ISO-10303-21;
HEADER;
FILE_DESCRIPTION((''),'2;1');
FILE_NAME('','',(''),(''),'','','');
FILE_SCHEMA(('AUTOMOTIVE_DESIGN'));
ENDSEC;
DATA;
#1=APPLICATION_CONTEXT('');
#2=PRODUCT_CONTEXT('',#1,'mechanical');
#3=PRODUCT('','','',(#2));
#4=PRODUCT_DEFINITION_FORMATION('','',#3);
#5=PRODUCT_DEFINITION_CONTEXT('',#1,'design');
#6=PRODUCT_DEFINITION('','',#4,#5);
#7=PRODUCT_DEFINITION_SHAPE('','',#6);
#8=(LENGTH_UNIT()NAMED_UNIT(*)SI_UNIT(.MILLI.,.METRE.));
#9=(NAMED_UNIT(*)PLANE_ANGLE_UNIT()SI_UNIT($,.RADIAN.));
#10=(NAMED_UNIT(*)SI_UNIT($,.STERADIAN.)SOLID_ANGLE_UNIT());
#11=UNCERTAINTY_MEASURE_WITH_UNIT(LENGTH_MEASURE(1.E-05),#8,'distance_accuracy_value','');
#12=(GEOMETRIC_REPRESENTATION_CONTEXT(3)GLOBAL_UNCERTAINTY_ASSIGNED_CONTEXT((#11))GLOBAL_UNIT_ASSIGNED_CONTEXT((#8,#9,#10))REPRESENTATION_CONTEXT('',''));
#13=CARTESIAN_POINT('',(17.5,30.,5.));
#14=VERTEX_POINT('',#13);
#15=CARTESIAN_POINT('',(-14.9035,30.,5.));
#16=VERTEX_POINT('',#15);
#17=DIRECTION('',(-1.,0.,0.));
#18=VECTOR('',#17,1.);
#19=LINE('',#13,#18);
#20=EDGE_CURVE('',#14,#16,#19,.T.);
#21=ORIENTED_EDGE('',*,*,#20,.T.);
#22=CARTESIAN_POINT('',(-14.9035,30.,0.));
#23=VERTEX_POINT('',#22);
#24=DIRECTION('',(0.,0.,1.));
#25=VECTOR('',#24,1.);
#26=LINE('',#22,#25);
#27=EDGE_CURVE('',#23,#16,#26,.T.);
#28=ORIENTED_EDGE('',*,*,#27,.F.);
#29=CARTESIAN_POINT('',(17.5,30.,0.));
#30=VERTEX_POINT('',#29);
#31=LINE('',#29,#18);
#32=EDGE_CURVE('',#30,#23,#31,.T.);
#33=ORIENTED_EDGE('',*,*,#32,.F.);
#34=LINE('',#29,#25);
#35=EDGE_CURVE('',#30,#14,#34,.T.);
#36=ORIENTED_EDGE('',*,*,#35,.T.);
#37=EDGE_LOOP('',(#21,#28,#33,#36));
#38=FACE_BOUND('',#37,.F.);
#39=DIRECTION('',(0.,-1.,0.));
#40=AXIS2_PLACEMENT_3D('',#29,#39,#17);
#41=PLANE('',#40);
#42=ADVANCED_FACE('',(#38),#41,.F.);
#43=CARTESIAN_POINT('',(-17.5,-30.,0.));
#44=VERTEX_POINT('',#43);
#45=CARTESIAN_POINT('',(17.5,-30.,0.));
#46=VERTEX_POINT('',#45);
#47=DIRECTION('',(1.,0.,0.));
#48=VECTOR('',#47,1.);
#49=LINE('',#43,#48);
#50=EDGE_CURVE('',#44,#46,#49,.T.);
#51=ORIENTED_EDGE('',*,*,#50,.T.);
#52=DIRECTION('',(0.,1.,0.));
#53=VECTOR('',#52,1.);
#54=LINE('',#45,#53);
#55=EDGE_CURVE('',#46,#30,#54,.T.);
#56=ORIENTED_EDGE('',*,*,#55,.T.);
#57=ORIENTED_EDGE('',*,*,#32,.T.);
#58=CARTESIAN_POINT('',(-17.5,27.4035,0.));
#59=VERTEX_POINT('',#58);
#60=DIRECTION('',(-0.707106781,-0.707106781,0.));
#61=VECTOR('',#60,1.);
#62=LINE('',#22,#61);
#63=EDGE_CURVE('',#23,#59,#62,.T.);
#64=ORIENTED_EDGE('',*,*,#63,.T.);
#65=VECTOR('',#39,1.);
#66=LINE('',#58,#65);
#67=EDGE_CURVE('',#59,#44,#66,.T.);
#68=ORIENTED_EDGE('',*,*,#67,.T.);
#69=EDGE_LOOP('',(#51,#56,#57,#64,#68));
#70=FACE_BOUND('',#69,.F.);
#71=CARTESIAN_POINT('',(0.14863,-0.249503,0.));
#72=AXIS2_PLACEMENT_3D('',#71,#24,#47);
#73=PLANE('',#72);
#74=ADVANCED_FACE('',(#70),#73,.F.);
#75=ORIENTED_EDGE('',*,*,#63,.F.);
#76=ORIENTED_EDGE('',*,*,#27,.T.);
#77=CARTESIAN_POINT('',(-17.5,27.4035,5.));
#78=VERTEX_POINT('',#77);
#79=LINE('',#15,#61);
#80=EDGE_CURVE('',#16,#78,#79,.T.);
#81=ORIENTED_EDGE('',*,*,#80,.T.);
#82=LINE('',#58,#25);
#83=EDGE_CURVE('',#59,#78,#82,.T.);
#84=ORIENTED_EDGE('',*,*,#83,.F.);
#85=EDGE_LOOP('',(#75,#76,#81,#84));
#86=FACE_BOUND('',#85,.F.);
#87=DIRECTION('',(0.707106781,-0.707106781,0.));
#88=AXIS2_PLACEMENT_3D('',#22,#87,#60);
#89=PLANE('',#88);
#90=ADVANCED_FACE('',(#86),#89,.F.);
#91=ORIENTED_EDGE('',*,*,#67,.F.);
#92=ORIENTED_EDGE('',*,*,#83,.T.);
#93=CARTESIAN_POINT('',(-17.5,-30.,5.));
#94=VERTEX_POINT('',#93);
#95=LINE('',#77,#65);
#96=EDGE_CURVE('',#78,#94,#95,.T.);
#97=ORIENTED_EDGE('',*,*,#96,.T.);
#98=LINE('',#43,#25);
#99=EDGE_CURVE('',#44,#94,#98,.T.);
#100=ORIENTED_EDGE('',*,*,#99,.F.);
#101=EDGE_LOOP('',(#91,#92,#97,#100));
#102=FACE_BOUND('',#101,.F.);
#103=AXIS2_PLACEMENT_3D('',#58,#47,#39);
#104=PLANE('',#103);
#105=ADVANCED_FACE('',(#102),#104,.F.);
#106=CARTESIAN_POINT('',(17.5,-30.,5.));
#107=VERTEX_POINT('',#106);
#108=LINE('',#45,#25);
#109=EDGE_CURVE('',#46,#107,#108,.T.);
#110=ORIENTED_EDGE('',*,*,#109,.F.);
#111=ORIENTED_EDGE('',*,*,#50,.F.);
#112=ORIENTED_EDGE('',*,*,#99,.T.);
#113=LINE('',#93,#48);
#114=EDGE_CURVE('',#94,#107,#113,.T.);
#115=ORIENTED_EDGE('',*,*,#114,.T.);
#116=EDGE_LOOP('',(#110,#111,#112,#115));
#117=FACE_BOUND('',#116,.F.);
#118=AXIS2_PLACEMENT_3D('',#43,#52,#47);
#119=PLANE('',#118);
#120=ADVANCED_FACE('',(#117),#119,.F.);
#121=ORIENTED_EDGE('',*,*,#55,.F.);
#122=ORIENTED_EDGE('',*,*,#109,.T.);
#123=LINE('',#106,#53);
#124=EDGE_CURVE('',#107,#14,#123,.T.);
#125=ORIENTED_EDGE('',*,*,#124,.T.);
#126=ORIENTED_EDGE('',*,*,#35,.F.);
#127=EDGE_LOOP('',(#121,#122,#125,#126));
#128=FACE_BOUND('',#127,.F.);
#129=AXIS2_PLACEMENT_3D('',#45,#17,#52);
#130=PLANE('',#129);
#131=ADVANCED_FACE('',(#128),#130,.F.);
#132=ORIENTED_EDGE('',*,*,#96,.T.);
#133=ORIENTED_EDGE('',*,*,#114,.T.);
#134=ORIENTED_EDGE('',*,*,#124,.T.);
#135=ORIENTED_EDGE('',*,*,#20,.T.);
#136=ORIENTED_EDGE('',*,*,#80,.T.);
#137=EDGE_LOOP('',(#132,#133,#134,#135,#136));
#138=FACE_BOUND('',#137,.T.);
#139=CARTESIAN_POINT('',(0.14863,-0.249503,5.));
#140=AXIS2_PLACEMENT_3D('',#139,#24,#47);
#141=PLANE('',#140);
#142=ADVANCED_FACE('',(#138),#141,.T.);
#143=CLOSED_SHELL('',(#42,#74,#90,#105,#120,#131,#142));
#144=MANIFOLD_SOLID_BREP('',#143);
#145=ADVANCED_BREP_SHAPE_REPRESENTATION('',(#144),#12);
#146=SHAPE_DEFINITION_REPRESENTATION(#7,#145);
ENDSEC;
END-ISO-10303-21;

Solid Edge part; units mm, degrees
sketch "Sketch1" plane through (0, 0, 0) normal (0, 0, 1) x (1, 0, 0)
  line L0 (17.5, -30) -> (17.5, 30)
  line L1 (17.5, 30) -> (-14.9035, 30)
  line L2 (-14.9035, 30) -> (-17.5, 27.4035)
  line L3 (-17.5, 27.4035) -> (-17.5, -30)
  line L4 (-17.5, -30) -> (17.5, -30)
extrude "Protrusion1" add sketch "Sketch1" along normal blind 5
